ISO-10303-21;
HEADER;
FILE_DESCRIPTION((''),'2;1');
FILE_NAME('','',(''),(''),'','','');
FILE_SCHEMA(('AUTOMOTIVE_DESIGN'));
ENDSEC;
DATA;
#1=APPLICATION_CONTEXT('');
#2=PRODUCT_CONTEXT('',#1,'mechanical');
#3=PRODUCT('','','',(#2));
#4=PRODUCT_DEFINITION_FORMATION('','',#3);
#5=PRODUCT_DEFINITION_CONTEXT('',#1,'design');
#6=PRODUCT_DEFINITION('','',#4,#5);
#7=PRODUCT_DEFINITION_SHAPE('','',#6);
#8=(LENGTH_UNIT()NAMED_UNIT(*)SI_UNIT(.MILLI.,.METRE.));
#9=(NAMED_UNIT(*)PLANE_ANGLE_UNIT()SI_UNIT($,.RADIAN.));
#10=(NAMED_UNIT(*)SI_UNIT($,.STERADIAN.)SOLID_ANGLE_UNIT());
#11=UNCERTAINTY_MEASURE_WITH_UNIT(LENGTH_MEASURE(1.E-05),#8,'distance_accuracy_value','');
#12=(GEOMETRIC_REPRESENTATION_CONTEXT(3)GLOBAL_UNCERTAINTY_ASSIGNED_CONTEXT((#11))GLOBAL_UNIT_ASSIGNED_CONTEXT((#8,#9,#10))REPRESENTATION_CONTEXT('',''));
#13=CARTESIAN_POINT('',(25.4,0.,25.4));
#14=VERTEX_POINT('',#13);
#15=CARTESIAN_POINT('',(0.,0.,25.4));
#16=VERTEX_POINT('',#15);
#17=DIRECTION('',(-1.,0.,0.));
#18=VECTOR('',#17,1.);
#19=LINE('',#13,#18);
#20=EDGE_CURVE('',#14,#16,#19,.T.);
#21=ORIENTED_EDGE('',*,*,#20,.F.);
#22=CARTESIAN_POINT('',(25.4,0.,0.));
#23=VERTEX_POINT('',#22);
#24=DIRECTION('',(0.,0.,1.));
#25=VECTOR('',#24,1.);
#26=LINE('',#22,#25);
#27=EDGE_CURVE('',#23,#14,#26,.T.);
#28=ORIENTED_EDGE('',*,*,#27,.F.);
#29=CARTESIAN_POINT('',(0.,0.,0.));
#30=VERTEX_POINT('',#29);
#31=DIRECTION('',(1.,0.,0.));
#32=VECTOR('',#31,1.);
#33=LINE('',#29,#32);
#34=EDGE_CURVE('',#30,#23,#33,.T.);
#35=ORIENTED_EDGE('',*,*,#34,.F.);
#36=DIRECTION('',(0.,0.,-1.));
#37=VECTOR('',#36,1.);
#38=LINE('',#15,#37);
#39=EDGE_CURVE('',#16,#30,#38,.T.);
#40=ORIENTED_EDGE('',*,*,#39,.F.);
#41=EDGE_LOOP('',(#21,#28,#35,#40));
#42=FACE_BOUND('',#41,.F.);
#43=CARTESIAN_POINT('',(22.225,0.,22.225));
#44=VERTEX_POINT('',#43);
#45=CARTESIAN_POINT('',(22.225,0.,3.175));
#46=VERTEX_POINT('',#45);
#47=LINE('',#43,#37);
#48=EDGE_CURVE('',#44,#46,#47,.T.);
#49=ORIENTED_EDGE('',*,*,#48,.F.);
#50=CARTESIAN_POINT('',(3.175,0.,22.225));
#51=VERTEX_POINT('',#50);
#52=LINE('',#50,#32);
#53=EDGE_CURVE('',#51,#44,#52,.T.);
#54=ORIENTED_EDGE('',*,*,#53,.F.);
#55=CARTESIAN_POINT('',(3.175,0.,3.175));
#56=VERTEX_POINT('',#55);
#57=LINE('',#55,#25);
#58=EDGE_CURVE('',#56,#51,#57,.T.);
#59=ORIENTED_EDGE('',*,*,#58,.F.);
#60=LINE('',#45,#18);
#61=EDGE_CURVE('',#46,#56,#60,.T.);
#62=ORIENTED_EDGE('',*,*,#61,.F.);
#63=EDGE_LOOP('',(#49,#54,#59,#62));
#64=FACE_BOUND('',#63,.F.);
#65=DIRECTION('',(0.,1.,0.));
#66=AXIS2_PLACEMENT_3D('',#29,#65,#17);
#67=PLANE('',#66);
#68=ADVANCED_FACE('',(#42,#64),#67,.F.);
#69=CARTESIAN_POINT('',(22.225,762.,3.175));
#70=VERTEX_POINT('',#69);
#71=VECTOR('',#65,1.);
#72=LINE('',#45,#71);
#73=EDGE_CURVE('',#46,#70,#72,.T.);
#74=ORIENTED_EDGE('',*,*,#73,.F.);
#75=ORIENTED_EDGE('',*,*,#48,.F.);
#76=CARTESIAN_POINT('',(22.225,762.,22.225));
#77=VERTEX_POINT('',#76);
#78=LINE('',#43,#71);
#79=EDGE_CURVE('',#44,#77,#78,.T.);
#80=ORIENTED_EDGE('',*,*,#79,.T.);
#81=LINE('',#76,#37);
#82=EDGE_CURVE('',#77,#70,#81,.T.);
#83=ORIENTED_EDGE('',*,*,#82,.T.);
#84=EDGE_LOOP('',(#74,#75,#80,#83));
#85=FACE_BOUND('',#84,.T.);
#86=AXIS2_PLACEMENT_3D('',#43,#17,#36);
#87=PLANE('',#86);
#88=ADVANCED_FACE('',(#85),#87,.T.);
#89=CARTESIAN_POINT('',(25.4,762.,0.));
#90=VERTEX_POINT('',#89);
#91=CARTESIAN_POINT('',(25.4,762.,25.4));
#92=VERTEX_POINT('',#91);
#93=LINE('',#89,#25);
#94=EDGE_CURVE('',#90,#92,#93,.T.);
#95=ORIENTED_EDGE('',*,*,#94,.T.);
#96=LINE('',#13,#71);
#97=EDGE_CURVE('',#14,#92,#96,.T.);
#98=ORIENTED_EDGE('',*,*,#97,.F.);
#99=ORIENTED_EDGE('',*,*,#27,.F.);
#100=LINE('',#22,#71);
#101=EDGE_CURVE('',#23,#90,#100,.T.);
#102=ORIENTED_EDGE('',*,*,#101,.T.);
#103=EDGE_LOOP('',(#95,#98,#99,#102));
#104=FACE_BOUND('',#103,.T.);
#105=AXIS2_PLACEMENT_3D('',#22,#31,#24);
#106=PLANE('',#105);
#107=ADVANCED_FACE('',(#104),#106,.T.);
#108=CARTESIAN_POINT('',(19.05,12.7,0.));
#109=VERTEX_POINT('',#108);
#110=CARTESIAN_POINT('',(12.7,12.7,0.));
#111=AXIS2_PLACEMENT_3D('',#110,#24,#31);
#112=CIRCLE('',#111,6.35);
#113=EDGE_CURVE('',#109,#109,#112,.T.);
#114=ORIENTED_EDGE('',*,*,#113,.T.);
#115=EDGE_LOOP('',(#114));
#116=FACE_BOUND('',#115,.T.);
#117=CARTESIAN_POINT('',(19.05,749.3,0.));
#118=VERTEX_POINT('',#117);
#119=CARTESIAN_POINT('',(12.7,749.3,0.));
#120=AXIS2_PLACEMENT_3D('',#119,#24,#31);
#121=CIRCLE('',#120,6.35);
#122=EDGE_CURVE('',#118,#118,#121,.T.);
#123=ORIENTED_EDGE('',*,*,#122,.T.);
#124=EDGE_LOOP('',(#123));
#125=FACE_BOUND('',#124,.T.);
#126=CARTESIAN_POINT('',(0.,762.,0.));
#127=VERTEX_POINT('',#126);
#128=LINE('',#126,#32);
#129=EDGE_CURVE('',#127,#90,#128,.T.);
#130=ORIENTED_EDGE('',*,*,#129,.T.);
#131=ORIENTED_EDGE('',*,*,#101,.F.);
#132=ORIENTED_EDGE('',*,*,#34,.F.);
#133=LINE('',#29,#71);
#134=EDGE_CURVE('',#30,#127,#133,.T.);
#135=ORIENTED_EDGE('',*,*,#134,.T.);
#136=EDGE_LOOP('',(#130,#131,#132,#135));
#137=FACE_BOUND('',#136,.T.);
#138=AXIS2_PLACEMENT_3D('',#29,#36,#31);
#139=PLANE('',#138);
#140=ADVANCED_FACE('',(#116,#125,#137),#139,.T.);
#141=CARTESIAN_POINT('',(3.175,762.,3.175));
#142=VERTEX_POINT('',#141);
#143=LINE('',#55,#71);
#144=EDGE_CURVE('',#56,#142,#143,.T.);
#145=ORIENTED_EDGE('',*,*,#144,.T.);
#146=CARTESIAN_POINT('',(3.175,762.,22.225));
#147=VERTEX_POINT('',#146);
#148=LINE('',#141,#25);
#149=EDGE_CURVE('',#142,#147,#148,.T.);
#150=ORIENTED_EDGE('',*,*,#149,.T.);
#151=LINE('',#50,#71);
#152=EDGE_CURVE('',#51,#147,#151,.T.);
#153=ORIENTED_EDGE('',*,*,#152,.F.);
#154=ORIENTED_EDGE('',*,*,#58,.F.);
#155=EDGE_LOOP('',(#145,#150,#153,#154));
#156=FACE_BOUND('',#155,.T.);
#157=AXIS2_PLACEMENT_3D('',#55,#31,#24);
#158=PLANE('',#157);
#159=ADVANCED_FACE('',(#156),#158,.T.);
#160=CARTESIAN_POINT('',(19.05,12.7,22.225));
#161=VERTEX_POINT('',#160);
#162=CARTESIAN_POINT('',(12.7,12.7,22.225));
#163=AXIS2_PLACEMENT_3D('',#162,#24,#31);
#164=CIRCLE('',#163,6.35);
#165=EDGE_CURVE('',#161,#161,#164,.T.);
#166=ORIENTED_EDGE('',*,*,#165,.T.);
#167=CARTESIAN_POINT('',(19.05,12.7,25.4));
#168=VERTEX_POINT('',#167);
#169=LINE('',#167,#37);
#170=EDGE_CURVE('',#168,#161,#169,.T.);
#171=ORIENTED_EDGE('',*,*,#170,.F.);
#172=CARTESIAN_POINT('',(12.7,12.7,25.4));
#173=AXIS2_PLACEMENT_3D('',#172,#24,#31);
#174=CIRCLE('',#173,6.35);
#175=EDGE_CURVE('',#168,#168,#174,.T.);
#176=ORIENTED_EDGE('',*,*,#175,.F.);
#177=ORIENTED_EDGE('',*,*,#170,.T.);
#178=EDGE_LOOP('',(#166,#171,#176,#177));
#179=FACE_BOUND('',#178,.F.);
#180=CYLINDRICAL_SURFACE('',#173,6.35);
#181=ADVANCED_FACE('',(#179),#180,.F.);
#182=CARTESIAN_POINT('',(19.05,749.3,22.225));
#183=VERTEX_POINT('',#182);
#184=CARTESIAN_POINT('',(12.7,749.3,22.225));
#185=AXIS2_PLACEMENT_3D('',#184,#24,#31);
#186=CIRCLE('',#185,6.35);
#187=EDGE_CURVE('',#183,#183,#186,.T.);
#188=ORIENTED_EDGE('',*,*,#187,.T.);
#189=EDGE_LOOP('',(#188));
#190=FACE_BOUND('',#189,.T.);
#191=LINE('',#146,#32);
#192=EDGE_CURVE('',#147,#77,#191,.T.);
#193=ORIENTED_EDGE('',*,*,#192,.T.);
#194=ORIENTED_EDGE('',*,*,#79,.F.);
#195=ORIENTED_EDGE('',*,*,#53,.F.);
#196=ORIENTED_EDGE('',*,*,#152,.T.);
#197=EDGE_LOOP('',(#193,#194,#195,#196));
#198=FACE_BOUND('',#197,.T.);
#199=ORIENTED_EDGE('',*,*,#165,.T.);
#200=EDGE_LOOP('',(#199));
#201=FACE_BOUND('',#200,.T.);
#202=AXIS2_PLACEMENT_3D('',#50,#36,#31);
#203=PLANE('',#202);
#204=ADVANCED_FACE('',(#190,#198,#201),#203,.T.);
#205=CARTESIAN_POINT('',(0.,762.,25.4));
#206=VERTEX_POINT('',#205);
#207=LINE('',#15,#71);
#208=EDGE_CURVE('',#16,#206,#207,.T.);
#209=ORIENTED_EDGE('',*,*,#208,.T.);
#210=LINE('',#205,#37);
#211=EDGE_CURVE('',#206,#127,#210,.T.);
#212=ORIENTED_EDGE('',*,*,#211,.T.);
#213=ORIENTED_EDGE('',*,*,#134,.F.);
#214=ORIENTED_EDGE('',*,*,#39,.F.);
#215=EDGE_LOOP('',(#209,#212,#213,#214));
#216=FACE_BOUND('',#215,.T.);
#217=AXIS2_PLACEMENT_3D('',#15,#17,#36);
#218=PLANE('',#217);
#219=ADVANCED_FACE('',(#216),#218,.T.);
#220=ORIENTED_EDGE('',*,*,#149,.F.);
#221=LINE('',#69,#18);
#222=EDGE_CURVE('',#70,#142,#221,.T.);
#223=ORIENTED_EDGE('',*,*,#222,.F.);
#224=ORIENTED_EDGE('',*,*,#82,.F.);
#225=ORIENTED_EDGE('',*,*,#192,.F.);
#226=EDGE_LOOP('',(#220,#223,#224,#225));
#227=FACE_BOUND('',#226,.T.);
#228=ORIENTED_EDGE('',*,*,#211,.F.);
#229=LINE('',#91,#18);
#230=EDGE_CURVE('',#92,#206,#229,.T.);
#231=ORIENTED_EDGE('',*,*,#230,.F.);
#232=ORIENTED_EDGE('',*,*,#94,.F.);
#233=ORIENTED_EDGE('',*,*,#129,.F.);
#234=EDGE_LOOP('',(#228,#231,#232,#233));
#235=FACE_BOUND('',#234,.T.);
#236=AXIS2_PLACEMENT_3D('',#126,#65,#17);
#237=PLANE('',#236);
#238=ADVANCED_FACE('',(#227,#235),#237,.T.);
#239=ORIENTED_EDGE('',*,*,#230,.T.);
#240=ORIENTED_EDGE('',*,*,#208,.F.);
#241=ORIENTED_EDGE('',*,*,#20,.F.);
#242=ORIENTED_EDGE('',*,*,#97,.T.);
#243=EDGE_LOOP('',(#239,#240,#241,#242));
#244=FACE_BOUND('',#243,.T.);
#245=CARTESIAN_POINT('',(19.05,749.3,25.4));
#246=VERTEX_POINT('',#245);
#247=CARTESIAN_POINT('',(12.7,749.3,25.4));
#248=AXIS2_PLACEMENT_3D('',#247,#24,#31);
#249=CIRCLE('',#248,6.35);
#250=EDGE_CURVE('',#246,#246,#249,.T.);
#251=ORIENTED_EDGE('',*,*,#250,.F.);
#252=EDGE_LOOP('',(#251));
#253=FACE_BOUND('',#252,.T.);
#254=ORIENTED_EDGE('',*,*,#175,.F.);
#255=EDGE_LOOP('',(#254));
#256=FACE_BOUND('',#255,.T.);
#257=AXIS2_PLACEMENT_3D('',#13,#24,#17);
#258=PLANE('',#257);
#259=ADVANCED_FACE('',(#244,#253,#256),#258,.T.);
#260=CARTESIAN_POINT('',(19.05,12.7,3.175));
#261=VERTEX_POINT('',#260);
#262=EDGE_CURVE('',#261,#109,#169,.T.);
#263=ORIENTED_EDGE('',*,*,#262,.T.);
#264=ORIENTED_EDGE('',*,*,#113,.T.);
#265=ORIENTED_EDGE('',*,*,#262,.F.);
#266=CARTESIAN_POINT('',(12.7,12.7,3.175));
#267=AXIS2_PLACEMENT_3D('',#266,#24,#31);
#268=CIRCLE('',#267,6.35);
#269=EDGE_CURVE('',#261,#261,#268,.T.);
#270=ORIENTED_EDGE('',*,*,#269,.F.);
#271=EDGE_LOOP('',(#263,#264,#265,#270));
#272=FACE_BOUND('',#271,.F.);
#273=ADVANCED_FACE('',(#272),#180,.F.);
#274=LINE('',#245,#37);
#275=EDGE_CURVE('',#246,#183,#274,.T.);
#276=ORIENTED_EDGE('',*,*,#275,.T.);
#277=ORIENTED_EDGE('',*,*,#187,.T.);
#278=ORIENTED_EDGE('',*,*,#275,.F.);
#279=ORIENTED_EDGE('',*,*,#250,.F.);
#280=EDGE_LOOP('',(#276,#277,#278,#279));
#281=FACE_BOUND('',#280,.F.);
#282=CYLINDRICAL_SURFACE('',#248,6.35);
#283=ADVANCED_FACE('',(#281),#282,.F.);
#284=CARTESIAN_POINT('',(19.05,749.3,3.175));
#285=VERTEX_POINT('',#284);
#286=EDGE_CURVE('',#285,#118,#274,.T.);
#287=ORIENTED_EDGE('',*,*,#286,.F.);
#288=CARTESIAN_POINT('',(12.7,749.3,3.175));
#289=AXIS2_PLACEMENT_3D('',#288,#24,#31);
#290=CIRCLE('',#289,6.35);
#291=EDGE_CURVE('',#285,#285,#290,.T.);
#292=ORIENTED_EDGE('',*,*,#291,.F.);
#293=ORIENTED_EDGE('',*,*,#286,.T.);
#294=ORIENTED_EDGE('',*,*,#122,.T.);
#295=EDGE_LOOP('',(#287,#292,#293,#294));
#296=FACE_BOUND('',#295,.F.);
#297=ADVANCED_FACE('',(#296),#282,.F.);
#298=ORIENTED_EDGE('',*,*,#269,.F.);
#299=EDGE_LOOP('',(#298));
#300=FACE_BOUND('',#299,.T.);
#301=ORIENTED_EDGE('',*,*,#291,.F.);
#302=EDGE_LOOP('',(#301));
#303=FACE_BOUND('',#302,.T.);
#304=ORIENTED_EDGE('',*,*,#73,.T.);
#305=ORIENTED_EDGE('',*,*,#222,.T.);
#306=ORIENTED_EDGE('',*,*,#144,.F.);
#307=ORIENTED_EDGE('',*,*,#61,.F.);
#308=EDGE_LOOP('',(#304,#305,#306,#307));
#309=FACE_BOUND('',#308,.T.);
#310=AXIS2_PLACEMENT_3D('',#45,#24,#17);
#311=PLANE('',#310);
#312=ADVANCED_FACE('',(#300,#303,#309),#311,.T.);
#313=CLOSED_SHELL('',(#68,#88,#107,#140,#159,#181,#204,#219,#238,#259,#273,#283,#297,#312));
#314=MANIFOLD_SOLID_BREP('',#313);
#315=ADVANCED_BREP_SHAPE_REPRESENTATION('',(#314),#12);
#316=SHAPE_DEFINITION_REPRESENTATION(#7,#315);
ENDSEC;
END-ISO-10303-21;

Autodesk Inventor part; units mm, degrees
ref_plane "YZ Plane" through (0, 0, 0) normal (1, 0, 0) x (0, 1, 0)
ref_plane "XZ Plane" through (0, 0, 0) normal (0, 1, 0) x (-1, 0, 0)
ref_plane "XY Plane" through (0, 0, 0) normal (0, 0, 1) x (1, 0, 0)
sketch "Sketch1" plane through (0, 0, 0) normal (0, 1, 0) x (-1, 0, 0)
  line L0 (0, 0) -> (-25.4, 0)
  line L1 (-25.4, 0) -> (-25.4, 25.4)
  line L2 (-25.4, 25.4) -> (0, 25.4)
  line L3 (0, 25.4) -> (0, 0)
  line L4 (-22.225, 3.175) -> (-3.175, 3.175)
  line L5 (-3.175, 3.175) -> (-3.175, 22.225)
  line L6 (-3.175, 22.225) -> (-22.225, 22.225)
  line L7 (-22.225, 22.225) -> (-22.225, 3.175)
  dimension "d0" = 25.4
  dimension "d1" = 25.4
  dimension "d2" = 3.175
extrude "Extrusion1" add sketch "Sketch1" along normal blind 762
sketch "Sketch2" plane through (0, 0, 25.4) normal (0, 0, 1) x (1, 0, 0)
  circle A0 centre (12.7, 12.7) radius 6.35
  line L0 (3.175, 0) -> (22.225, 0) projected
  line L1 (0, 0) -> (0, 762) projected
  circle A1 centre (12.7, 749.3) radius 6.35
  line L2 (25.4, 0) -> (25.4, 762) projected
  line L3 (0, 762) -> (25.4, 762) projected
  dimension "d5" = 12.7
  dimension "d6" = 12.7
  dimension "d7" = 12.7
  dimension "d10" = 12.7
  dimension "d11" = 12.7
  dimension "d12" = 12.7
extrude "Extrusion2" cut sketch "Sketch2" against normal blind 25.4
properties part number "lower arm"
